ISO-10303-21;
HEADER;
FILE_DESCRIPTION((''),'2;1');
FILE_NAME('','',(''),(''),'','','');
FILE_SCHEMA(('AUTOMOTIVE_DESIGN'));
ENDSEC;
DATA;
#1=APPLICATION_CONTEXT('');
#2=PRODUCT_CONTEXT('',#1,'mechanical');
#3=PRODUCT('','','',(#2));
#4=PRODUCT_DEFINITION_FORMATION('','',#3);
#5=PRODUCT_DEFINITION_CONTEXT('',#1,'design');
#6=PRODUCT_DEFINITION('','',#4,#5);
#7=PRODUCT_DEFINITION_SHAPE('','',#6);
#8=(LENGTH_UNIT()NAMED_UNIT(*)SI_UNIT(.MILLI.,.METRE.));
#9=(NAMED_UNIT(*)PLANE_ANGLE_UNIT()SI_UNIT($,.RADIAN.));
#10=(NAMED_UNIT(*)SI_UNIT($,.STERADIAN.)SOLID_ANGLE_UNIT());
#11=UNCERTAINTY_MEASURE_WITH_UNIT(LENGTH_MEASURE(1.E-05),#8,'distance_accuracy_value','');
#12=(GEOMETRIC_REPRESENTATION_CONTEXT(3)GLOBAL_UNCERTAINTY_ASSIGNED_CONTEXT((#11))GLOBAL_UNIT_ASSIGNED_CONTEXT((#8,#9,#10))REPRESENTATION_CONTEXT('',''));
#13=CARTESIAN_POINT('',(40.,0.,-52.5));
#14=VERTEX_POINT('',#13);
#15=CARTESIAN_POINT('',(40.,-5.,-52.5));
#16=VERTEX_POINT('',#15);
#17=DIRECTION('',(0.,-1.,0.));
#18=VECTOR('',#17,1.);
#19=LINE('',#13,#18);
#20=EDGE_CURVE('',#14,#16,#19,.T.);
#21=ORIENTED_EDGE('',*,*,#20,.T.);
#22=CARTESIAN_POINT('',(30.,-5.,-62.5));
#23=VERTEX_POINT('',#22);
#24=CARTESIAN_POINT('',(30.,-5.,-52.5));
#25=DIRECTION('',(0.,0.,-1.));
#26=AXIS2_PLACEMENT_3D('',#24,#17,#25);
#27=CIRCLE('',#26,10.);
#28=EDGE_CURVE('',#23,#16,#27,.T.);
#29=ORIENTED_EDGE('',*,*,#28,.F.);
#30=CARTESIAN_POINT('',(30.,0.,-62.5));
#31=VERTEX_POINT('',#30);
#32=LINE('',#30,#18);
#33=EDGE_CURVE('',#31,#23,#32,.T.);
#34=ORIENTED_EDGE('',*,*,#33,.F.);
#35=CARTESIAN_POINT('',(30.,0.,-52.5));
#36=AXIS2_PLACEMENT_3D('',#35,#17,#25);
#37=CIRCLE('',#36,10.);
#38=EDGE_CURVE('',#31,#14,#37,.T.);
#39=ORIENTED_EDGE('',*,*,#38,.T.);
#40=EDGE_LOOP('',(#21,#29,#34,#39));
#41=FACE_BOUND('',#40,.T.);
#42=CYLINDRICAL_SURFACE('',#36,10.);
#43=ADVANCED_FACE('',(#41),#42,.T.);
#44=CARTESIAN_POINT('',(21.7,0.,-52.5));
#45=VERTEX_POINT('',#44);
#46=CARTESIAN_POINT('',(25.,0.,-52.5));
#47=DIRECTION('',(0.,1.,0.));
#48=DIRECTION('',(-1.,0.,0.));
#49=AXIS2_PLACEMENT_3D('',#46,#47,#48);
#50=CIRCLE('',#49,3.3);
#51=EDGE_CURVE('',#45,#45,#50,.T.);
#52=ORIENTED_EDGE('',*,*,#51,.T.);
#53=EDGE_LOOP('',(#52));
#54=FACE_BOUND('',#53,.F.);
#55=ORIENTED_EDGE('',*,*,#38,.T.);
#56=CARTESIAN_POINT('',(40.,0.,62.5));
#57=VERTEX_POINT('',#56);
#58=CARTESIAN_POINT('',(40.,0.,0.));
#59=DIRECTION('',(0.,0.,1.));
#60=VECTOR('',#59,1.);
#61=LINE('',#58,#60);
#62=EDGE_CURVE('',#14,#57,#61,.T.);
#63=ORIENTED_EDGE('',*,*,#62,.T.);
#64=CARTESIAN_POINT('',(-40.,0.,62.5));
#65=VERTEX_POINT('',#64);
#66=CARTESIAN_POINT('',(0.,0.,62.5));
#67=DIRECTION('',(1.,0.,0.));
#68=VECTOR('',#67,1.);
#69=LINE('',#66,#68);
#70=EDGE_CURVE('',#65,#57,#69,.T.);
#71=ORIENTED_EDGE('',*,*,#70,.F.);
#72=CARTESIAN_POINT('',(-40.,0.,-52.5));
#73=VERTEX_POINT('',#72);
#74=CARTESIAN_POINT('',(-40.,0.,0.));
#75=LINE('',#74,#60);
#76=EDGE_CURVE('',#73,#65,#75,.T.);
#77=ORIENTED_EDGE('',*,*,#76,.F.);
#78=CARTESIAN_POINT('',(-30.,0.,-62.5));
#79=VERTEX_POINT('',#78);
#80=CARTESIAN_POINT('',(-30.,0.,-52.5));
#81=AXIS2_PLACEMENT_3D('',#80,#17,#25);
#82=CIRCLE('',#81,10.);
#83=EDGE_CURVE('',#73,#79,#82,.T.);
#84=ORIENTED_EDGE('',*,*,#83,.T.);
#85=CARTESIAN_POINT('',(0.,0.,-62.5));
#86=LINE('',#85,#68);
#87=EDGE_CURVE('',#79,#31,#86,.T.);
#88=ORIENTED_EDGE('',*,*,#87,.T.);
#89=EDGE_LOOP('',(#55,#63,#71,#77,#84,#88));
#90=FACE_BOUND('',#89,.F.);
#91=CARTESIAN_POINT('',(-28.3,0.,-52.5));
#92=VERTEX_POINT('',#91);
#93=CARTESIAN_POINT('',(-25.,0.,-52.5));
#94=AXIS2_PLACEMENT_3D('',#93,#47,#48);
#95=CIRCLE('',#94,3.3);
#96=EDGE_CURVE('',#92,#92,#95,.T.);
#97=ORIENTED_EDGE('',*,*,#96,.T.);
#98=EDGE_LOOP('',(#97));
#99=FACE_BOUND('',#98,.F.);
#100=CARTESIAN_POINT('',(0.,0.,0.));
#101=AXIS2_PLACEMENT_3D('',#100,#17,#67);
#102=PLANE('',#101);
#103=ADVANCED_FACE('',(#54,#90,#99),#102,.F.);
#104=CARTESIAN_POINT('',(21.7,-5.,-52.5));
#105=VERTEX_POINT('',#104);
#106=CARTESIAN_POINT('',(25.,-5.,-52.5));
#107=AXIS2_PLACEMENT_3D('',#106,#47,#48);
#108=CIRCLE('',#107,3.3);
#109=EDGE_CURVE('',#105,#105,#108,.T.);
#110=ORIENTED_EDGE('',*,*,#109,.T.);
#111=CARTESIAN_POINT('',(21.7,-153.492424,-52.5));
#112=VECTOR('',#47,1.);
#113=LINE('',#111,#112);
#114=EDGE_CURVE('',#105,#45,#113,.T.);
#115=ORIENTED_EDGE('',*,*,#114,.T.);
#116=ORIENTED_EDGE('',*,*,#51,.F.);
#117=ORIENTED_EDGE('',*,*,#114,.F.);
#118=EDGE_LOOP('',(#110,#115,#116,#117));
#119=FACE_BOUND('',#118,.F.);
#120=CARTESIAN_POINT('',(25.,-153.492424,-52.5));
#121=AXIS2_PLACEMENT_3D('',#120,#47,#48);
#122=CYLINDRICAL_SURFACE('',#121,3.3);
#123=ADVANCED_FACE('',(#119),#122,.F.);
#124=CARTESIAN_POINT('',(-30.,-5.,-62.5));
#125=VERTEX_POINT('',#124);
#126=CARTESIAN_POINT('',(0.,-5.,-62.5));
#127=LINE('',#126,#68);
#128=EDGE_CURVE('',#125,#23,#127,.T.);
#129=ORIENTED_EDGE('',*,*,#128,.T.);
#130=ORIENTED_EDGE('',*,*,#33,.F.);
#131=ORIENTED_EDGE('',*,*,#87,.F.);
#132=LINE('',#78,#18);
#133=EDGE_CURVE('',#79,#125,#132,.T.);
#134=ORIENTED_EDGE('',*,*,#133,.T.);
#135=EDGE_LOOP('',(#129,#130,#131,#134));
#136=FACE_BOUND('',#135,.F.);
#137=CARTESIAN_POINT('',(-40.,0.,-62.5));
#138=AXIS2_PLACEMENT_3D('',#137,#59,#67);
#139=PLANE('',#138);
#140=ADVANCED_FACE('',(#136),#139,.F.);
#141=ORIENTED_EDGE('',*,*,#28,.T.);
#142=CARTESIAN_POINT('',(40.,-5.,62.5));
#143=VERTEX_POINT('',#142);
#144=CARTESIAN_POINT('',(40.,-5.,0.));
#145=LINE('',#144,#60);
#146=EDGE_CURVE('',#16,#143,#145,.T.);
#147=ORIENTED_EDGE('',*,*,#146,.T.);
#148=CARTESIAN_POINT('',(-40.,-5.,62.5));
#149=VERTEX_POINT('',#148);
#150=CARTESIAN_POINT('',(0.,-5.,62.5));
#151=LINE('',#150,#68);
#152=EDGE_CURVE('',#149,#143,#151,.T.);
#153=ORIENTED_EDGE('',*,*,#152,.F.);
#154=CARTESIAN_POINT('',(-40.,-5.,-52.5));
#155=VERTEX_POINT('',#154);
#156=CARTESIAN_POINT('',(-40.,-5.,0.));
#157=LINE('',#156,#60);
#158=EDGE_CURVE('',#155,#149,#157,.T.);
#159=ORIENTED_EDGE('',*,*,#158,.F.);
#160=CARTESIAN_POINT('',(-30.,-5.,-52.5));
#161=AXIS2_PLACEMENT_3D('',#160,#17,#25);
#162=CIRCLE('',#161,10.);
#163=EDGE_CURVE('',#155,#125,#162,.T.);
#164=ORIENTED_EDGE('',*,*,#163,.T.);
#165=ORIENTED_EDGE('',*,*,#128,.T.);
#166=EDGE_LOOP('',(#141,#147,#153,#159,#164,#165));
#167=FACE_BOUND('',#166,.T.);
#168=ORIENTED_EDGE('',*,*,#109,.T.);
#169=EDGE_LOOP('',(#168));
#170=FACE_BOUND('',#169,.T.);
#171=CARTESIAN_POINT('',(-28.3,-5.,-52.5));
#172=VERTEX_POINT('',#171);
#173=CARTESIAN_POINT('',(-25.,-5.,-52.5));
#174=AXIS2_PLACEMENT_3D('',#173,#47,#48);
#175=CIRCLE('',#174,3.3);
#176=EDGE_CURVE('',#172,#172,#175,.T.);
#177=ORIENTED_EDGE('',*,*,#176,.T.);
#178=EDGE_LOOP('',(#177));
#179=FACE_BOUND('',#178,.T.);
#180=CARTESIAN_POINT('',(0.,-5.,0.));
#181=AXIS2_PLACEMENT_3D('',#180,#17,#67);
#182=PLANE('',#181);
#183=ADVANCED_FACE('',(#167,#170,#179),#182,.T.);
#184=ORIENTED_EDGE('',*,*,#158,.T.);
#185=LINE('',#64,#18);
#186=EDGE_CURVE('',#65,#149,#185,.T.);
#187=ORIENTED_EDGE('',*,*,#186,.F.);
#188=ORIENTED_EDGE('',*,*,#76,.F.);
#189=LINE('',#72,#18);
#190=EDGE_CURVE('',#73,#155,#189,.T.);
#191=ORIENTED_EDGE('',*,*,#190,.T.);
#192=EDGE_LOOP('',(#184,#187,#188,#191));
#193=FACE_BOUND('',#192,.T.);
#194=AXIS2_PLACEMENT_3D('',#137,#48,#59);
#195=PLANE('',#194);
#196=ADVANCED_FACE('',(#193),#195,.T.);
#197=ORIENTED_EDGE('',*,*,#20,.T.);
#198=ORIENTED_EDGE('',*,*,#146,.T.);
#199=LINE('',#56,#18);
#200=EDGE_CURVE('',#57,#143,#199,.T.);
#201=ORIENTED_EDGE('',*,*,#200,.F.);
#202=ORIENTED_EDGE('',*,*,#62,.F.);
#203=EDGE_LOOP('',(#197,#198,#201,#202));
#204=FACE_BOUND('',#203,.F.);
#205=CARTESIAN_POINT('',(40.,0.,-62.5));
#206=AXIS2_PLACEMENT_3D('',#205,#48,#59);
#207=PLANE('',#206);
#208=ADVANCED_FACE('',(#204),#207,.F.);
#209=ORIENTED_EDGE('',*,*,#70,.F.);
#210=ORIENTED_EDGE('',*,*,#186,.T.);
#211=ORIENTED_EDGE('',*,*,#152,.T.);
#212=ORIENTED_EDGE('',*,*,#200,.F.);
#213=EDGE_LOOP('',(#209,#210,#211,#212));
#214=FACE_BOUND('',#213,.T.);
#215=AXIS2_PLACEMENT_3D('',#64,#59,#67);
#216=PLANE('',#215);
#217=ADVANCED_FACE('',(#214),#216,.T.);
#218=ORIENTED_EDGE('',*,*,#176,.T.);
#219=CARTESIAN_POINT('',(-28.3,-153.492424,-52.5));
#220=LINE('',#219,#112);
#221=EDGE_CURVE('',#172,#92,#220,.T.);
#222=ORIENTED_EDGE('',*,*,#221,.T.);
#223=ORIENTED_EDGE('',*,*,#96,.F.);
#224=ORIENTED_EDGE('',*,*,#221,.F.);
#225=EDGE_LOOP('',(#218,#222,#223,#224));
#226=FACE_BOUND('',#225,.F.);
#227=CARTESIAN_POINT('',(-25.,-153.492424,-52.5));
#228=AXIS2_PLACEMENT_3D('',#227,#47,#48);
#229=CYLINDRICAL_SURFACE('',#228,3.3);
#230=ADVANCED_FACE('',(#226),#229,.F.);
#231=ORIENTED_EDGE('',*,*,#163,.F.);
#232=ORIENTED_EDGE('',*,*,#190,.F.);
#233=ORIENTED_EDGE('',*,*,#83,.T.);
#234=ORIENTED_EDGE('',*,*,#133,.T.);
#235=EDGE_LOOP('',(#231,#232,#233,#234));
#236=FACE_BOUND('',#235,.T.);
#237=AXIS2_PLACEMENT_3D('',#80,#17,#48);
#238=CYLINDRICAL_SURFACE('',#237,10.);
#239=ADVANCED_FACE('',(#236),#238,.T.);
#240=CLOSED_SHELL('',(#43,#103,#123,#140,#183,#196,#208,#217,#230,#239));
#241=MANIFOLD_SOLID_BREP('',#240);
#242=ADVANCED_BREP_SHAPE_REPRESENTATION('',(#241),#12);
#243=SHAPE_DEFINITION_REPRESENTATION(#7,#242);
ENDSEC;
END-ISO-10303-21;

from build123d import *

# Parameters (mm, degrees)
F0_W     = 80
F0_H     = 125
F1_DEPTH = 5
F3_D     = 6.6
F4_R     = 10


with BuildPart() as f1:
    # F0 (on Front) → F1 (new body)
    with BuildSketch(Plane.XZ):
        Rectangle(F0_W, F0_H)
    extrude(amount=F1_DEPTH)

    # F3 (through all)
    with Locations(Plane.XZ.offset(5)):
        with Locations((-25, -52.5), (25, -52.5)):
            Hole(F3_D / 2)

    # F4
    f4_edges = [f1.edges().sort_by_distance(p)[0] for p in [
        (40, -2.5, -62.5),
        (-40, -2.5, -62.5),
    ]]
    fillet(f4_edges, radius=F4_R)


solid = f1.part
